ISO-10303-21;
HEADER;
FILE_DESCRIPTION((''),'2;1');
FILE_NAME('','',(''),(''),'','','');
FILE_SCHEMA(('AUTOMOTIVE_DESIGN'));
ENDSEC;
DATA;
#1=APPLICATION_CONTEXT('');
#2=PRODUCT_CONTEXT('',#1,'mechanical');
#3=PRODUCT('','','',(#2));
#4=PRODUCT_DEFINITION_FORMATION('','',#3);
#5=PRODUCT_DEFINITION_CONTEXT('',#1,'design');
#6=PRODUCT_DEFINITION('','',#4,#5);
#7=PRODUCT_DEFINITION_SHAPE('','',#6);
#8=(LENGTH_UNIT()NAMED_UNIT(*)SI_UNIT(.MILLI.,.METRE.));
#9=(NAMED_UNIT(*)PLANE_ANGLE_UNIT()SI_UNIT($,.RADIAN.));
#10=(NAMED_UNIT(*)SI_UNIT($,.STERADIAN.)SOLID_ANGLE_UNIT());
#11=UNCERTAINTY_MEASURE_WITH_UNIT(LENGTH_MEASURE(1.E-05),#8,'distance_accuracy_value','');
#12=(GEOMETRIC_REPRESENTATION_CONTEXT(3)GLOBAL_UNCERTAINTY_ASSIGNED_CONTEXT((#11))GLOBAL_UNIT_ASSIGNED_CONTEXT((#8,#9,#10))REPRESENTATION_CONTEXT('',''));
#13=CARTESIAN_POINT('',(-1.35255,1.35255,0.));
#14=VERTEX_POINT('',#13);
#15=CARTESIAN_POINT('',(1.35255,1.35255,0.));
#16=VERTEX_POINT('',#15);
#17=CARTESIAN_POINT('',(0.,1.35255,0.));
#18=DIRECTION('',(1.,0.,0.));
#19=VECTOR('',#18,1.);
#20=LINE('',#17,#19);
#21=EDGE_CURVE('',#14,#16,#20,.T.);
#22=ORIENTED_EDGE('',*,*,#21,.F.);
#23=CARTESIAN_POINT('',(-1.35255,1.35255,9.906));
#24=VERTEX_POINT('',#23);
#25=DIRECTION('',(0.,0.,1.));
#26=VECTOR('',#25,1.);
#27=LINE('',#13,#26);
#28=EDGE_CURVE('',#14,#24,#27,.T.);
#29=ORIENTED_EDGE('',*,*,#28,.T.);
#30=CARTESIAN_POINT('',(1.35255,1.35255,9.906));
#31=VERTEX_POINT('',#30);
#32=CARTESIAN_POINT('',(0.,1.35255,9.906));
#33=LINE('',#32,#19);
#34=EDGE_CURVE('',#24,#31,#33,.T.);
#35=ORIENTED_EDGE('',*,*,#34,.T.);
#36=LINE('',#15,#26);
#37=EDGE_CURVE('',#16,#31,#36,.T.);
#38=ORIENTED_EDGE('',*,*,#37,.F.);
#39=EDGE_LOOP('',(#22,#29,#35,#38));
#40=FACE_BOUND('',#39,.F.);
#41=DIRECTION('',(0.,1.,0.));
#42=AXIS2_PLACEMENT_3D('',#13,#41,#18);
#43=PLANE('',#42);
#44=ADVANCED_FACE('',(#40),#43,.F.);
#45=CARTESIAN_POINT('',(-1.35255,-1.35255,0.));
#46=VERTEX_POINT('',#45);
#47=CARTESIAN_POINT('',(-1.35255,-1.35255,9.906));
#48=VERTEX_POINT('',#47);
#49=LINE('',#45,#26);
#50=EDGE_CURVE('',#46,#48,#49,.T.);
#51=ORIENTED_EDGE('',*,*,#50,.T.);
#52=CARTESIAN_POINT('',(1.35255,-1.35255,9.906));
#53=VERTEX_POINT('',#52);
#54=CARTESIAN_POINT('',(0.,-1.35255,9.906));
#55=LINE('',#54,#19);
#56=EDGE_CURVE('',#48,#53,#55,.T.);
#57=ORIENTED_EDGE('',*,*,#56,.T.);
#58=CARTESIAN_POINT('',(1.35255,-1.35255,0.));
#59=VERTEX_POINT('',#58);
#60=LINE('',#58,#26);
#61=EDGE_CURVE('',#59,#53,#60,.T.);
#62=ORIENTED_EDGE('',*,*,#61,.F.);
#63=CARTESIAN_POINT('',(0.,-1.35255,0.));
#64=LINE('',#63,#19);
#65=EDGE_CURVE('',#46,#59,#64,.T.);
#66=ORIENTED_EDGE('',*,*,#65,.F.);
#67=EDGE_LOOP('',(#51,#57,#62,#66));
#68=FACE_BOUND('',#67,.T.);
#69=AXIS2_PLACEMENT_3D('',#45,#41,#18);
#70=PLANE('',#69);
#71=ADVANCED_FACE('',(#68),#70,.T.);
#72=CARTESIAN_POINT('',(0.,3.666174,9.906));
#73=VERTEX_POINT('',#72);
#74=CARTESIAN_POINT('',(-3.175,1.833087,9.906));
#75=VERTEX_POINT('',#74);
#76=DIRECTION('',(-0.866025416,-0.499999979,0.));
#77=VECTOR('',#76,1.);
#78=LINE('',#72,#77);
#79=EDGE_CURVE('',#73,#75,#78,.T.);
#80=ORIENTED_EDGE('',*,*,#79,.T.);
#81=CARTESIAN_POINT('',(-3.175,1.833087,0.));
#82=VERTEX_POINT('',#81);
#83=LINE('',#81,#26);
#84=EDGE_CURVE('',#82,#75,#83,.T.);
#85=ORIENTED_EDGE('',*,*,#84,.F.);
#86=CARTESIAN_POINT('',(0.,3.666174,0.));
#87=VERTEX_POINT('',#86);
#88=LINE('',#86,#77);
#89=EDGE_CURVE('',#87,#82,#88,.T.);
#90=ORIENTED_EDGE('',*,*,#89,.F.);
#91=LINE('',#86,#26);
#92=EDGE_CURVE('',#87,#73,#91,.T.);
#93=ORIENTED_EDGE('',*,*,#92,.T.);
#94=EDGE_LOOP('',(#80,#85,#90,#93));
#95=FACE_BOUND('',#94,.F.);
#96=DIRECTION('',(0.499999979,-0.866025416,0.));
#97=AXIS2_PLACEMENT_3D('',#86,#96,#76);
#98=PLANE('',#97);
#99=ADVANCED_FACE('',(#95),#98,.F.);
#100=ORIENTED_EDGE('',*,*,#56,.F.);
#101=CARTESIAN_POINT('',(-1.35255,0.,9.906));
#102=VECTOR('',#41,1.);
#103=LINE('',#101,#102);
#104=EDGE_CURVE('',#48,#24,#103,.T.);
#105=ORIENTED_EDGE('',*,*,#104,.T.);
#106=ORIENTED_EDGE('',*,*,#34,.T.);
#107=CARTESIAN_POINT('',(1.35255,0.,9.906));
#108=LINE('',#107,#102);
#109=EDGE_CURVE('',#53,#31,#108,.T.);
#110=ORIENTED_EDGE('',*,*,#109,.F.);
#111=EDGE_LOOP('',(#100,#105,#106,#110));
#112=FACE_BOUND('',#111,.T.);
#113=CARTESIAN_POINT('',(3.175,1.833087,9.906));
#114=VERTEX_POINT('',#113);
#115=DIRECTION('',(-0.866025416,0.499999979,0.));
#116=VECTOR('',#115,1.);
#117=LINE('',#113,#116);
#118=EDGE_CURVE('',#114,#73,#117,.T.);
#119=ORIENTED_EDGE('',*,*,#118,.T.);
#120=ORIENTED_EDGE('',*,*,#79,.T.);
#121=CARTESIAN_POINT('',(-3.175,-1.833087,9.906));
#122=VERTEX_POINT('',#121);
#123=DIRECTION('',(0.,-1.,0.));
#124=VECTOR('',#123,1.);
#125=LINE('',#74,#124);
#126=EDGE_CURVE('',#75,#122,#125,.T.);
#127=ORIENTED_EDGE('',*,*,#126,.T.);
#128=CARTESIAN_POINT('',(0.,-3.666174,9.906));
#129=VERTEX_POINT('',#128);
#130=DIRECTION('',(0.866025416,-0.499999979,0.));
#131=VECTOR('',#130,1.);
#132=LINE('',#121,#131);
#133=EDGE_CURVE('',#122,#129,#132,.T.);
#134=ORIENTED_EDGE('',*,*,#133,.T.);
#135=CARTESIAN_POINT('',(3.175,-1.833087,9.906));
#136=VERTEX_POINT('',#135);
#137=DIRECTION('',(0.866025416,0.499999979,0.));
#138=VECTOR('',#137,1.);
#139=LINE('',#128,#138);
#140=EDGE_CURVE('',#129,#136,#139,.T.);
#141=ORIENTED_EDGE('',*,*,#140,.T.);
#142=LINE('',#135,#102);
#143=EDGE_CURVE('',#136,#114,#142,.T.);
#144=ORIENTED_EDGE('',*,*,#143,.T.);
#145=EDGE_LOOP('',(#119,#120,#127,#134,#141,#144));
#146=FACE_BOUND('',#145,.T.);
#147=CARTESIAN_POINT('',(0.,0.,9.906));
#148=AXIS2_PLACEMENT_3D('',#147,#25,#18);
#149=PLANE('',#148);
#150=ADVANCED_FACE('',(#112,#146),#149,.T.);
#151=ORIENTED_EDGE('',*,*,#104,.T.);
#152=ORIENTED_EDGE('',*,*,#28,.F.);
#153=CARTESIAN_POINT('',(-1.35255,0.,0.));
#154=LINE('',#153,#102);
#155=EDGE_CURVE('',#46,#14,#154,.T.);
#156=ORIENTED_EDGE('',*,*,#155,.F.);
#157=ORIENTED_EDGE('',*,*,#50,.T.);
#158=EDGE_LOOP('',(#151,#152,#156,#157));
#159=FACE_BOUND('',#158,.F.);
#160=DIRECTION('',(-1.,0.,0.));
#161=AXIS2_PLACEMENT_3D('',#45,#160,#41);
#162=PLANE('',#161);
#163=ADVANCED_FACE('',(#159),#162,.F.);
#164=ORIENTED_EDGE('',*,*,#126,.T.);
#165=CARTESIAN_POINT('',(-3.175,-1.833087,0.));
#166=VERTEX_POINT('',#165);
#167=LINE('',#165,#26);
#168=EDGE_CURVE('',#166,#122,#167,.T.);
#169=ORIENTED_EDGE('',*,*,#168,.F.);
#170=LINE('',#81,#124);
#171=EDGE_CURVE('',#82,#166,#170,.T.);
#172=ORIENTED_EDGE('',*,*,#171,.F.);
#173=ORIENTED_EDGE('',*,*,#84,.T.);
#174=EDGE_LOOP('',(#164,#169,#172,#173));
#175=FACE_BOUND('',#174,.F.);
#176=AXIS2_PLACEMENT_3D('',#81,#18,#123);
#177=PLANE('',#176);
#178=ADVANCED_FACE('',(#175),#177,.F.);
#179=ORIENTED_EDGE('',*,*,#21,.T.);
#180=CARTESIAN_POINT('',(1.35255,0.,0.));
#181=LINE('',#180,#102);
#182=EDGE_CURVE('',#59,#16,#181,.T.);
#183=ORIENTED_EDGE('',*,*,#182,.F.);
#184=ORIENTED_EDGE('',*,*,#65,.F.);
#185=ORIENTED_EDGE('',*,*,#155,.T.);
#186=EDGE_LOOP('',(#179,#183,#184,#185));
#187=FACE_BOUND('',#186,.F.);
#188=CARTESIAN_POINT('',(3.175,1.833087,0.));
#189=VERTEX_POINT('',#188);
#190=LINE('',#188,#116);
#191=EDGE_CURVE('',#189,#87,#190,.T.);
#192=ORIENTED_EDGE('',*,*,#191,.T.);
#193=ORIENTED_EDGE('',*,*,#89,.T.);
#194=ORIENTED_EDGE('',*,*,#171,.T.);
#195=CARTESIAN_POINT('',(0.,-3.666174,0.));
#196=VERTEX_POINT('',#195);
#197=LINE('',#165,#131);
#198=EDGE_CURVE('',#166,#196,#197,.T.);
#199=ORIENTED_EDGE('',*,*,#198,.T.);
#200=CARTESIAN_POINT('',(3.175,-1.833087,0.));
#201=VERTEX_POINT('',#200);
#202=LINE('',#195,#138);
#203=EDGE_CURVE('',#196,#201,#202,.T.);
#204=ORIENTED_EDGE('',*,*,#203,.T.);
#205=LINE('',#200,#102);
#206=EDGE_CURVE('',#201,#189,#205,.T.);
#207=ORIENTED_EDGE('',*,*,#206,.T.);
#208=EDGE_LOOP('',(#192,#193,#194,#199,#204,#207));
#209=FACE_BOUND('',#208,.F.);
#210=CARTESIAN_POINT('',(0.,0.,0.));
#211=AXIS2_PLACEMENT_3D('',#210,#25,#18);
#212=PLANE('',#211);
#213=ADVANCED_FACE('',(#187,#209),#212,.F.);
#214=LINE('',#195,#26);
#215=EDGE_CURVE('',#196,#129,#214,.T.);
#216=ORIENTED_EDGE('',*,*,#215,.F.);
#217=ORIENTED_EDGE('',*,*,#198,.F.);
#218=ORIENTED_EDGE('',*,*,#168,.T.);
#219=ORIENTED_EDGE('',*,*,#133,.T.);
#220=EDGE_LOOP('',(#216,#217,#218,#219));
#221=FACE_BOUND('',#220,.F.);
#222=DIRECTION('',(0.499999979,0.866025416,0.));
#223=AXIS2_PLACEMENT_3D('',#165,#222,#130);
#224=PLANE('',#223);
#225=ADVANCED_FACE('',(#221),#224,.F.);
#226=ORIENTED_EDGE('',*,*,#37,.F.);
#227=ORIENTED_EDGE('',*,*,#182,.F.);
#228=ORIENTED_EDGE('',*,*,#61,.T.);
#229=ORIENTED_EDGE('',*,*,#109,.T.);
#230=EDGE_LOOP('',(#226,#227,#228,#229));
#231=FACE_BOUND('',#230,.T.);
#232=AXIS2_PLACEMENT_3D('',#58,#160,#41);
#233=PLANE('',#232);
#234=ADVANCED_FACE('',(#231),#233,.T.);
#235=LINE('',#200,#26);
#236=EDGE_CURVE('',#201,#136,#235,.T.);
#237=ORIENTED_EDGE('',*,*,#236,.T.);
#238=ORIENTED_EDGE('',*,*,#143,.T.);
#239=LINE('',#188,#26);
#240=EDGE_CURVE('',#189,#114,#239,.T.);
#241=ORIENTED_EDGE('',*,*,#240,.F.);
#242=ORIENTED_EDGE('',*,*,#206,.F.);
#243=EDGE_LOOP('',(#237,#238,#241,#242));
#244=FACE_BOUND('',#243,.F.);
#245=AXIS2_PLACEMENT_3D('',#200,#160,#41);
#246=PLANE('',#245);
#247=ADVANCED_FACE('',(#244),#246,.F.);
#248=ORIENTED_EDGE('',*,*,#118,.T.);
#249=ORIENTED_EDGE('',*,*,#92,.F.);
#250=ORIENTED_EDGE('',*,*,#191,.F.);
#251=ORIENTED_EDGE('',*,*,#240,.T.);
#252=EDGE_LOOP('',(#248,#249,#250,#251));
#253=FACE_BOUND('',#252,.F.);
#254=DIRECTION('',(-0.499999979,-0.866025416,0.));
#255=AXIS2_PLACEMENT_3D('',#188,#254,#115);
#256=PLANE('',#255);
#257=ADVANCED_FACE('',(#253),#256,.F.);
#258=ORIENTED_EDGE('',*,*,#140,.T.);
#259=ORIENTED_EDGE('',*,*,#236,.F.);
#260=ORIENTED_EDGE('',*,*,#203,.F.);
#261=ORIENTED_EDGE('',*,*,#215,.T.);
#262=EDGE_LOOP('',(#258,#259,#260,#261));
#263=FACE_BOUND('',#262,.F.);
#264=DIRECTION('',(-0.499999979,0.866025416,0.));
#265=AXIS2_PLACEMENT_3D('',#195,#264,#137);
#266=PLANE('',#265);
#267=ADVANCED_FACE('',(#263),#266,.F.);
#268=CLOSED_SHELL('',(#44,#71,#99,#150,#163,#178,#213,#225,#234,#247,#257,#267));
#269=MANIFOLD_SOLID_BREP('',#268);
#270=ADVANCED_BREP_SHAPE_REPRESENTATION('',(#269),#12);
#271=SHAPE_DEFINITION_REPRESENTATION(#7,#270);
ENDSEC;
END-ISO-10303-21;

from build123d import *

# Parameters (mm, degrees)
SKETCH_W  = 2.7051
SKETCH_H  = 2.7051
PAD_DEPTH = 9.906


with BuildPart() as part:
    # Sketch → Pad (new body)
    with BuildSketch(Plane.XY):
        Polygon((0, 3.666174), (-3.175, 1.833087), (-3.175, -1.833087), (0, -3.666174), (3.175, -1.833087), (3.175, 1.833087), align=None)
        Rectangle(SKETCH_W, SKETCH_H, mode=Mode.SUBTRACT)
    extrude(amount=PAD_DEPTH)


solid = part.part
